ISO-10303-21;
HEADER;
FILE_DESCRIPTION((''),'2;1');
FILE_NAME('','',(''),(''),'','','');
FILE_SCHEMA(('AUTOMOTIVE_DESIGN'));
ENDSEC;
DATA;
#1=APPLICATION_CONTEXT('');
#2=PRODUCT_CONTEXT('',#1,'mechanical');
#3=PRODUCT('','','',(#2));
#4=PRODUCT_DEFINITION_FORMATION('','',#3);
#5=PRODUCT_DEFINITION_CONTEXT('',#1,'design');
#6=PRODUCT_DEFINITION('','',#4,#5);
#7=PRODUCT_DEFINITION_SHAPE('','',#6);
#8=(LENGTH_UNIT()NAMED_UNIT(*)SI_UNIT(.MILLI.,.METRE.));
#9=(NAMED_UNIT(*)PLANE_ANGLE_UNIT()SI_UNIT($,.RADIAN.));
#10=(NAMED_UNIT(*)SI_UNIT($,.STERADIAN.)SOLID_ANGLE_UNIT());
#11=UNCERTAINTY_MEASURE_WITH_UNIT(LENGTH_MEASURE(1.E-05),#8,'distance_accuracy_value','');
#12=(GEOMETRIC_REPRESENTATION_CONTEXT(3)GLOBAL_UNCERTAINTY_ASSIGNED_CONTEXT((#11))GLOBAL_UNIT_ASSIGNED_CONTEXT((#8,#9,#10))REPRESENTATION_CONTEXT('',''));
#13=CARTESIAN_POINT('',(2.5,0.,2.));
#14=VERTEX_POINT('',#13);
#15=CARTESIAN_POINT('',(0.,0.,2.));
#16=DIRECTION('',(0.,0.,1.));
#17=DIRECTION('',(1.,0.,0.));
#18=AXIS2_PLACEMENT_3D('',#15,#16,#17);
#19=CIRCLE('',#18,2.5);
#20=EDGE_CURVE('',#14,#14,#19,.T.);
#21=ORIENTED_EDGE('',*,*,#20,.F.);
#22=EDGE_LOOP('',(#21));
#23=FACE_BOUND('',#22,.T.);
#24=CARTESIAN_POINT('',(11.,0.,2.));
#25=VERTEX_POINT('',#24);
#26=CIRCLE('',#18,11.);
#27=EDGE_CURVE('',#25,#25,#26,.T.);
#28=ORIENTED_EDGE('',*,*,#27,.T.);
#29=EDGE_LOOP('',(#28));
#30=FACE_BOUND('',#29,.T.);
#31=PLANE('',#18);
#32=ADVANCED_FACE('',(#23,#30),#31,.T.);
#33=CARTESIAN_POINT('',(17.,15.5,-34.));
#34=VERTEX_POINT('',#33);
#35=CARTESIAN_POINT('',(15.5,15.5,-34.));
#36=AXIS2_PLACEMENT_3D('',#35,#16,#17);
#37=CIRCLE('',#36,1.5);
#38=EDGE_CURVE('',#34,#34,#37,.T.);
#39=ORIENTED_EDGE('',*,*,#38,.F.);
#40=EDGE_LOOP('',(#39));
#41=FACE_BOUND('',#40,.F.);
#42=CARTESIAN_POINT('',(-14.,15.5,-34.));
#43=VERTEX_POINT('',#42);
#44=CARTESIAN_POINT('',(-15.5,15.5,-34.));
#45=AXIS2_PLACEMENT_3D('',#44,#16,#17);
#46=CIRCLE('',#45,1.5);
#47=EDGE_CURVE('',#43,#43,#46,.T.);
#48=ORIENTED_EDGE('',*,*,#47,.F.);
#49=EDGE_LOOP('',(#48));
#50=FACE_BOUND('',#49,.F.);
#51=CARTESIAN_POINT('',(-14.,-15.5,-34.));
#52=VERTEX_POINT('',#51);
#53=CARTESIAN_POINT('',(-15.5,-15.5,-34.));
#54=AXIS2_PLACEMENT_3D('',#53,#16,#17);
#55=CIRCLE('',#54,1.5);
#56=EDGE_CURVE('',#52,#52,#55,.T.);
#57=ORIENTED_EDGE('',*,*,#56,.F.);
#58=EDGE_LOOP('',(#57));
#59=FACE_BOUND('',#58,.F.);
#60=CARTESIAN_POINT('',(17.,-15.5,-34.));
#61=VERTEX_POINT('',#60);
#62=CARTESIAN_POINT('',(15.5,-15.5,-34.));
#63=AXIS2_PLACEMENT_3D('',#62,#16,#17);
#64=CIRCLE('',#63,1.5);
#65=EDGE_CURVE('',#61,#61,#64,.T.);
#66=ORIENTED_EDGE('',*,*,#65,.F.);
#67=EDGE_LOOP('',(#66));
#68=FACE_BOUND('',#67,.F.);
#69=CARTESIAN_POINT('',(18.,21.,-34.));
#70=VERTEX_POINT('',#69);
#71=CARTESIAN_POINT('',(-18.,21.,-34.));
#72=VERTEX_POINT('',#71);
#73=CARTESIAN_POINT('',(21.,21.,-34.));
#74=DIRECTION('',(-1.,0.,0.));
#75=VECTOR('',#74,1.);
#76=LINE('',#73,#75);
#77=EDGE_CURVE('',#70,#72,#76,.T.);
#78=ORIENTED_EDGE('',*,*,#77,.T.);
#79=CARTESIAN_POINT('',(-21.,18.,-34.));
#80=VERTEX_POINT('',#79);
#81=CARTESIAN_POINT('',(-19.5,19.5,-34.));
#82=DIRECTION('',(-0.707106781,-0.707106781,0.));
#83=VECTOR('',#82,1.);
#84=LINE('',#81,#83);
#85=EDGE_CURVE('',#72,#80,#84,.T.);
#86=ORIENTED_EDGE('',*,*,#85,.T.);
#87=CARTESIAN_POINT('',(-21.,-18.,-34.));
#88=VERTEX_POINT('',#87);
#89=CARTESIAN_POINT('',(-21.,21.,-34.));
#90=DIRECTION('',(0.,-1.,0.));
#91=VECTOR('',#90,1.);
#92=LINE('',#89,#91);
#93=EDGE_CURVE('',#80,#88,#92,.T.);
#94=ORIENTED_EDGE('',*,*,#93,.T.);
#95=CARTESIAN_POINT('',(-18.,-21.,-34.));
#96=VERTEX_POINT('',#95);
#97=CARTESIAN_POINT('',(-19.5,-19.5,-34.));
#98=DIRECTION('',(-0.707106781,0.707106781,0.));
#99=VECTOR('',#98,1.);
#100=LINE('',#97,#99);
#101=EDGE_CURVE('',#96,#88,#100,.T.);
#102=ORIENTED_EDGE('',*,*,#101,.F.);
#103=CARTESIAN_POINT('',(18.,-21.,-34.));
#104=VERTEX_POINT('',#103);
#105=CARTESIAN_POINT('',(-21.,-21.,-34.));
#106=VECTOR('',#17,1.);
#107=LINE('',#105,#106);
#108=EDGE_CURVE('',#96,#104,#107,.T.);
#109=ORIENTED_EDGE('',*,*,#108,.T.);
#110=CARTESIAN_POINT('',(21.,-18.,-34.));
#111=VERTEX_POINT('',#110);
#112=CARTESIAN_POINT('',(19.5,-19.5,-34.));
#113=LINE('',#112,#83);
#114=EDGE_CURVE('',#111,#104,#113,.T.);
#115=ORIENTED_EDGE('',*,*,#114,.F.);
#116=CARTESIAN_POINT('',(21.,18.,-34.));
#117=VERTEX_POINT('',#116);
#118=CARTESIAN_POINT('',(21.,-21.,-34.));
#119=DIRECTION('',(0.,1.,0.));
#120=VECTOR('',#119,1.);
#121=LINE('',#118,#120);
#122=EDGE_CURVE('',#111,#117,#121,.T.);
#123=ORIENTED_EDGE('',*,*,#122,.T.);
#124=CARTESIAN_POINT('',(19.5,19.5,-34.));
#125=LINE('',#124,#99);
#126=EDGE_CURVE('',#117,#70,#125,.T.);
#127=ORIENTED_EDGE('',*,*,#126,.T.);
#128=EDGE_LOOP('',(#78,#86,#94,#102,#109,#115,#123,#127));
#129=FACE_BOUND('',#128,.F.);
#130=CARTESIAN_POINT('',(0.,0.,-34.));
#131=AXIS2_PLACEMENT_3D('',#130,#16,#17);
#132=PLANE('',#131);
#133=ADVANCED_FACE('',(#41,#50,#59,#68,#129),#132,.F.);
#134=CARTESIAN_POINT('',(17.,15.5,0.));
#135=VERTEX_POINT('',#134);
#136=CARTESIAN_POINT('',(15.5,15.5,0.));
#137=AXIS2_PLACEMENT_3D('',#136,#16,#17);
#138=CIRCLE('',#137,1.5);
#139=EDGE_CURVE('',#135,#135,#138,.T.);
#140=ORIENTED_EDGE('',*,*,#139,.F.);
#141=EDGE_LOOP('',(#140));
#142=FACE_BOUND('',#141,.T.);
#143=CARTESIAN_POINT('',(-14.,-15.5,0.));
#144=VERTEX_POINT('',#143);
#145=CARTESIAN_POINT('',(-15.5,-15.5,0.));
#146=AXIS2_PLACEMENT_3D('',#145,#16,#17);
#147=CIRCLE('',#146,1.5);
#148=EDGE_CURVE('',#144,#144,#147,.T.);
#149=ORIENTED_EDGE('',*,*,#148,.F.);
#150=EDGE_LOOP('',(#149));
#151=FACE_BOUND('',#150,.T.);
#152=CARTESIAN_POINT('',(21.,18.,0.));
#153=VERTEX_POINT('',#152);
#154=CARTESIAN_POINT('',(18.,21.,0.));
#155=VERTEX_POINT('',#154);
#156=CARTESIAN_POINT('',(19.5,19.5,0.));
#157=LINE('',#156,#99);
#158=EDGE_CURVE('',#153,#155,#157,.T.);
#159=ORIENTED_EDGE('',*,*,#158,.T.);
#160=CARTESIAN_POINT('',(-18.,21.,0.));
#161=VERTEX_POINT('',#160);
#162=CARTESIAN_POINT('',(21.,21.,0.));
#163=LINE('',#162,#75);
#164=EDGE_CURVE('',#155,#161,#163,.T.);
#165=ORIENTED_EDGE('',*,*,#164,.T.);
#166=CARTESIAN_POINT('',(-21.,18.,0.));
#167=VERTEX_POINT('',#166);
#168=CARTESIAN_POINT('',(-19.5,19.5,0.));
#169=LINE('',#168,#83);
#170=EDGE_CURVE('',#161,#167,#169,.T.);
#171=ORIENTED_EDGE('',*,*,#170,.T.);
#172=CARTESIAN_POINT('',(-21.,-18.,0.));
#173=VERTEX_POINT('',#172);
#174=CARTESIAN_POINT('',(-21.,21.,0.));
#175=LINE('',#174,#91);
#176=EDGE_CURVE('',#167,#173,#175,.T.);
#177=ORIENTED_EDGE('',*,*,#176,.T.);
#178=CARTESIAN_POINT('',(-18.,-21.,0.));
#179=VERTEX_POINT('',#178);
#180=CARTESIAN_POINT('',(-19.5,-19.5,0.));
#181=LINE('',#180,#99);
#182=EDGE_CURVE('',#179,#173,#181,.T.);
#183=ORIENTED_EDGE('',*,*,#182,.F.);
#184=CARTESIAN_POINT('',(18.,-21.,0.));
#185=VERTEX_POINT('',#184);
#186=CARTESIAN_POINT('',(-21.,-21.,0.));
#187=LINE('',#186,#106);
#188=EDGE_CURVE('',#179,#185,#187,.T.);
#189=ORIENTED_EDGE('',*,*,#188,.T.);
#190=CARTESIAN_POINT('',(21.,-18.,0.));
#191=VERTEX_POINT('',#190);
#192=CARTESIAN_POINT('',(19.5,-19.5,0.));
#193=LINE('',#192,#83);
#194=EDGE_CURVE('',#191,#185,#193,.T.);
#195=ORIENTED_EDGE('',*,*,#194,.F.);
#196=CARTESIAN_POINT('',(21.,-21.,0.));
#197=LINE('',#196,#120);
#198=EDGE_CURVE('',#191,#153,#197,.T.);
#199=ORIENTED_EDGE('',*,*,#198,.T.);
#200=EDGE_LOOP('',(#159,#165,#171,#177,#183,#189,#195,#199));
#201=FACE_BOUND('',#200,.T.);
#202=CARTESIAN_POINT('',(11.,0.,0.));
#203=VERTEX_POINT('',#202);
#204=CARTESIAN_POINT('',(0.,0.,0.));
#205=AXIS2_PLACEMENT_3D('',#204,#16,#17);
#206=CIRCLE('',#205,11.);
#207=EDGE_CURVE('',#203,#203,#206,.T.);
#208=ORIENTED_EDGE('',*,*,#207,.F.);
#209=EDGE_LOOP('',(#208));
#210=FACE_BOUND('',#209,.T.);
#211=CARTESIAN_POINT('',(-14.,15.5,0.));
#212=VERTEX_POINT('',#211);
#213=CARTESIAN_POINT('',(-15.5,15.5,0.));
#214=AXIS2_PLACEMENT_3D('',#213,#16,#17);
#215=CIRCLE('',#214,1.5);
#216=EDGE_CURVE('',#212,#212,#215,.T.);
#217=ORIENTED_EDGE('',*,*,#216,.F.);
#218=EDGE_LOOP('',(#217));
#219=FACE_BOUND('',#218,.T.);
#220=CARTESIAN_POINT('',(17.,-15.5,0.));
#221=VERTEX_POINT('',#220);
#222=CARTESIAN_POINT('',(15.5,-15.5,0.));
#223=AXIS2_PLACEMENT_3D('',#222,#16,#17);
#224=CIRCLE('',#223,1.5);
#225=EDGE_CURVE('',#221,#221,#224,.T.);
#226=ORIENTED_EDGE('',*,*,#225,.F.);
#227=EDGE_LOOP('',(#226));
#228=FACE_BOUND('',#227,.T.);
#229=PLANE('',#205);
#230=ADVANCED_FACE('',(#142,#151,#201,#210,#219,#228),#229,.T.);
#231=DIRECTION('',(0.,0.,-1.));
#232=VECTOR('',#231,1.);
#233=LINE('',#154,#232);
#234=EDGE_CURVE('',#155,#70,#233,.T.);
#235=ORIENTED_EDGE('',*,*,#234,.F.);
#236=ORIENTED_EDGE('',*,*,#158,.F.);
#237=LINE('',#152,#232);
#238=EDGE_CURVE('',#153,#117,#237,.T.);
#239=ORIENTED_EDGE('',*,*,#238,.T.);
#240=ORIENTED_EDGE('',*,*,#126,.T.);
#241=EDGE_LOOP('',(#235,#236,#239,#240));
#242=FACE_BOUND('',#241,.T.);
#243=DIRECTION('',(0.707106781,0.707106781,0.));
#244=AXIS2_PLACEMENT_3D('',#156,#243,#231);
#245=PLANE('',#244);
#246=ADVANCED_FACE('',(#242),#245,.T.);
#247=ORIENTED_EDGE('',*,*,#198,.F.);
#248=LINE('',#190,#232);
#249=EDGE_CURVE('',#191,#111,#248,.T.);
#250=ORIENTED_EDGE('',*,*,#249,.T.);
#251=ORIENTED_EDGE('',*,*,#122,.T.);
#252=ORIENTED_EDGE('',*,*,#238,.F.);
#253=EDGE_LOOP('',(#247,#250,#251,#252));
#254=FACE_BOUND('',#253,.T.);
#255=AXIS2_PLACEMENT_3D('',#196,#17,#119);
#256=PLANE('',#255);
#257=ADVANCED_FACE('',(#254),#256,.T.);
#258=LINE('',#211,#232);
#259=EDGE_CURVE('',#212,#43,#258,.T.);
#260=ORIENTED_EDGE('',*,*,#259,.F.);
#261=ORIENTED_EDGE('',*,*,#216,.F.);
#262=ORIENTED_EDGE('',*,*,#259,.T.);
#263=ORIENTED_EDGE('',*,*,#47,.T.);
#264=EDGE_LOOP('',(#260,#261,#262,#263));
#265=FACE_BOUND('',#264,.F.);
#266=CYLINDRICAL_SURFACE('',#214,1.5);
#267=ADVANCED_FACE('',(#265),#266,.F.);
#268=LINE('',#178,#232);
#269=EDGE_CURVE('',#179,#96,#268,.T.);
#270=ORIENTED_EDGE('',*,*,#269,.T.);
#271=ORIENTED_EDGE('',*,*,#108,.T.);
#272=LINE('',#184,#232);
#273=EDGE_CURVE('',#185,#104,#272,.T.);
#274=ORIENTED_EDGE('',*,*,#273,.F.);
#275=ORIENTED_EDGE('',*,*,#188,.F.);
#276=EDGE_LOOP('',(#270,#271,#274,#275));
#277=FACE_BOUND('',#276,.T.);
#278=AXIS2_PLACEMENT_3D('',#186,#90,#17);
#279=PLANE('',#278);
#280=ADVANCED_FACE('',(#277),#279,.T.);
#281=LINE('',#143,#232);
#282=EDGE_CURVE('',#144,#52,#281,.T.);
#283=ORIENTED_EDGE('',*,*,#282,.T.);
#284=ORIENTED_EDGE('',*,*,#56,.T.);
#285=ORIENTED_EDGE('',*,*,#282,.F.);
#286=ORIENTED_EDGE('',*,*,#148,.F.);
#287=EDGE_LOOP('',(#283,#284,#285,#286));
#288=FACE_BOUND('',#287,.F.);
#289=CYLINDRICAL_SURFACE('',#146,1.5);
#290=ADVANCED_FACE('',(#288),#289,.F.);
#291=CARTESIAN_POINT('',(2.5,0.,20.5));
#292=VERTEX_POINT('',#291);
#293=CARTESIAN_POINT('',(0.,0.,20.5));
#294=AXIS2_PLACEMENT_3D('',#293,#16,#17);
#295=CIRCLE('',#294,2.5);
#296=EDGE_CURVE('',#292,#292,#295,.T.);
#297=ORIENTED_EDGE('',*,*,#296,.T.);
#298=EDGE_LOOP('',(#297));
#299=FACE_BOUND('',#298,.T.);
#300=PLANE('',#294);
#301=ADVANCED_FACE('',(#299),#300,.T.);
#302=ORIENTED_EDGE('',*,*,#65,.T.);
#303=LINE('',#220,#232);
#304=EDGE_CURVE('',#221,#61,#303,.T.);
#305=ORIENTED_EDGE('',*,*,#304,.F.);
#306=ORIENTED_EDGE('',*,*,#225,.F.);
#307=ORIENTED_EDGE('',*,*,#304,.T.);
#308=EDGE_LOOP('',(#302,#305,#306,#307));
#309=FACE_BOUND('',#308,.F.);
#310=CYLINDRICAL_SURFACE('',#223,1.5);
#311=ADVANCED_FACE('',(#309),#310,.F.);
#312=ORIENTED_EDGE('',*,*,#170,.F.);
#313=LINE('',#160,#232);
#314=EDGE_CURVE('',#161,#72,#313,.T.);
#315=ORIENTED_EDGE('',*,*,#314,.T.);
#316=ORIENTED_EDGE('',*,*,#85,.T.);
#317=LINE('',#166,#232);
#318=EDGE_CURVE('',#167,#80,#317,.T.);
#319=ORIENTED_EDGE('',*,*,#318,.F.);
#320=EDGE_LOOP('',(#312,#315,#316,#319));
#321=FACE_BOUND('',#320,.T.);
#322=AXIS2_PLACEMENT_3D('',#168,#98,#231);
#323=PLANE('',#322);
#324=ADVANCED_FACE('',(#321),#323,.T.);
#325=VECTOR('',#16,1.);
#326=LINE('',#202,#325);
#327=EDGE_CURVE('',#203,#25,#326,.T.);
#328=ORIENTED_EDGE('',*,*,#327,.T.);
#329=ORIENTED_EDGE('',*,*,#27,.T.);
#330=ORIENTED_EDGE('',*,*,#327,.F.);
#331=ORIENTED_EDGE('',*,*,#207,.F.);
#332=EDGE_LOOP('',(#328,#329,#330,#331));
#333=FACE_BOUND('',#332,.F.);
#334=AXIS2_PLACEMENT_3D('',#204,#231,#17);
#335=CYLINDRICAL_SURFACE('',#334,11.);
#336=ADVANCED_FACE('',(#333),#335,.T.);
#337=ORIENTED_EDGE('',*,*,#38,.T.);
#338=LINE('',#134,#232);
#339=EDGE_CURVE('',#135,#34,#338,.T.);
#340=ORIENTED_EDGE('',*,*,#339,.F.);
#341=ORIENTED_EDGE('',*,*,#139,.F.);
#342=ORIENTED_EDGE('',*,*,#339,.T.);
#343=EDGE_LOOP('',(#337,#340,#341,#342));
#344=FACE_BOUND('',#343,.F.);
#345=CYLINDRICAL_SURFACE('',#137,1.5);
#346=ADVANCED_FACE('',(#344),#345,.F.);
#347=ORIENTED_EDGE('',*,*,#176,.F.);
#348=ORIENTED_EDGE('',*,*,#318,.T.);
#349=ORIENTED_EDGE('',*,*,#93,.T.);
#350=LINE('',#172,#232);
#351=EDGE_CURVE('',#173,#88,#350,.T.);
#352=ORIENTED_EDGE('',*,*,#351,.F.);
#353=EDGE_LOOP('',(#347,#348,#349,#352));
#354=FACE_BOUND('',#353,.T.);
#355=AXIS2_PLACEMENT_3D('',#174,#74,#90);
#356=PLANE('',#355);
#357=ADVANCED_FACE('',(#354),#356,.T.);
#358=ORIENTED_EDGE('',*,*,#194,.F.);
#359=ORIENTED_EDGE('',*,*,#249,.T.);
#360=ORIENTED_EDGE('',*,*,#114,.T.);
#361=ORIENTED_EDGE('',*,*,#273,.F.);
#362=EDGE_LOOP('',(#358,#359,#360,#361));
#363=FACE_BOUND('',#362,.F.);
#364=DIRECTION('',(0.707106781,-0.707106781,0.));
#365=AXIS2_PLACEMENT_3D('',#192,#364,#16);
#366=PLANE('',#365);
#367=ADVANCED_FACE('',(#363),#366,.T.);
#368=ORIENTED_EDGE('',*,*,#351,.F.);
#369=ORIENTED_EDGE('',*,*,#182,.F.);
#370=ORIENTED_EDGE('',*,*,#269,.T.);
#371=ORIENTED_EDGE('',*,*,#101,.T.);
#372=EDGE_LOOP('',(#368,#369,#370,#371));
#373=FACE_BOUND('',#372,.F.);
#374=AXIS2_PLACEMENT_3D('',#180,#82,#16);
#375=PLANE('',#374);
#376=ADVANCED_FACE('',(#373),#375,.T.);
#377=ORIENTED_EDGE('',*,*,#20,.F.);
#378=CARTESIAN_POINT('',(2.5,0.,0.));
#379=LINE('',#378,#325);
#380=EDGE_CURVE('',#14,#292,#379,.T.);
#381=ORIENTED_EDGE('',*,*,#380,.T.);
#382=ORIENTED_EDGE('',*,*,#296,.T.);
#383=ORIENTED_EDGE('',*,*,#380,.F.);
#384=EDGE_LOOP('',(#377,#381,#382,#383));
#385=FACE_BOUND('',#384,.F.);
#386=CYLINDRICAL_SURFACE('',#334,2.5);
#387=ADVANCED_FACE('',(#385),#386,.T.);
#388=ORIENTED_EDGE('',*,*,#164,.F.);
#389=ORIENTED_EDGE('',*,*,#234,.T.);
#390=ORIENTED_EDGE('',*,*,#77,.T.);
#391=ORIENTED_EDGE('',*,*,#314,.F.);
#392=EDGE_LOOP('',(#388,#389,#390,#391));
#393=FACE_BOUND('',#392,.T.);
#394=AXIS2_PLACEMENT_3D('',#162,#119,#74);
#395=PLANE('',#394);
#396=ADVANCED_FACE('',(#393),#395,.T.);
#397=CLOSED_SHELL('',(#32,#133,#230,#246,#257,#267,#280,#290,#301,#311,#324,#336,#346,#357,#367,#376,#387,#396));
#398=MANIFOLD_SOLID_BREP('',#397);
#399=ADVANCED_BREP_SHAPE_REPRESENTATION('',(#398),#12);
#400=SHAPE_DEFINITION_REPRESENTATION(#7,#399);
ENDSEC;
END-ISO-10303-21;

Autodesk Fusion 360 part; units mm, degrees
sketch "Sketch1" plane through (0, 0, 0) normal (0, 0, 1) x (1, 0, 0)
  line L0 (21, 21) -> (-21, 21)
  line L1 (-21, 21) -> (-21, -21)
  line L2 (-21, -21) -> (21, -21)
  line L3 (21, -21) -> (21, 21)
  line L4 (21, 21) -> (-21, -21) construction
  line L5 (-21, 21) -> (21, -21) construction
  circle A0 centre (0, 0) radius 11
  circle A1 centre (0, 0) radius 2.5
  circle A2 centre (-15.5, 15.5) radius 1.5
  circle A3 centre (15.5, 15.5) radius 1.5
  circle A4 centre (15.5, -15.5) radius 1.5
  circle A5 centre (-15.5, -15.5) radius 1.5
  line L6 (-15.5, -15.5) -> (-15.5, 15.5) construction
  line L7 (15.5, 15.5) -> (-15.5, 15.5) construction
  line L8 (15.5, -15.5) -> (15.5, 15.5) construction
  line L9 (-15.5, -15.5) -> (15.5, -15.5) construction
  dimension "d1" = 42
  dimension "d2" = 42
  dimension "d3" = 22
  dimension "d4" = 5
  dimension "d12" = 3
  dimension "d13" = 3
  dimension "d14" = 3
  dimension "d15" = 3
  dimension "d16" = 31
extrude "Extrude1" add sketch "Sketch1" against normal blind 34 contours L0 L1 L2 L3 | A0 | A1
extrude "Extrude2" add sketch "Sketch1" along normal blind 2 contours A0
extrude "Extrude3" add sketch "Sketch1" along normal blind 20.5 contours A1
chamfer "Chamfer1" distance 3 angle 45 4 edges at (21, -21, -17) (-21, -21, -17) (-21, 21, -17) (21, 21, -17)
